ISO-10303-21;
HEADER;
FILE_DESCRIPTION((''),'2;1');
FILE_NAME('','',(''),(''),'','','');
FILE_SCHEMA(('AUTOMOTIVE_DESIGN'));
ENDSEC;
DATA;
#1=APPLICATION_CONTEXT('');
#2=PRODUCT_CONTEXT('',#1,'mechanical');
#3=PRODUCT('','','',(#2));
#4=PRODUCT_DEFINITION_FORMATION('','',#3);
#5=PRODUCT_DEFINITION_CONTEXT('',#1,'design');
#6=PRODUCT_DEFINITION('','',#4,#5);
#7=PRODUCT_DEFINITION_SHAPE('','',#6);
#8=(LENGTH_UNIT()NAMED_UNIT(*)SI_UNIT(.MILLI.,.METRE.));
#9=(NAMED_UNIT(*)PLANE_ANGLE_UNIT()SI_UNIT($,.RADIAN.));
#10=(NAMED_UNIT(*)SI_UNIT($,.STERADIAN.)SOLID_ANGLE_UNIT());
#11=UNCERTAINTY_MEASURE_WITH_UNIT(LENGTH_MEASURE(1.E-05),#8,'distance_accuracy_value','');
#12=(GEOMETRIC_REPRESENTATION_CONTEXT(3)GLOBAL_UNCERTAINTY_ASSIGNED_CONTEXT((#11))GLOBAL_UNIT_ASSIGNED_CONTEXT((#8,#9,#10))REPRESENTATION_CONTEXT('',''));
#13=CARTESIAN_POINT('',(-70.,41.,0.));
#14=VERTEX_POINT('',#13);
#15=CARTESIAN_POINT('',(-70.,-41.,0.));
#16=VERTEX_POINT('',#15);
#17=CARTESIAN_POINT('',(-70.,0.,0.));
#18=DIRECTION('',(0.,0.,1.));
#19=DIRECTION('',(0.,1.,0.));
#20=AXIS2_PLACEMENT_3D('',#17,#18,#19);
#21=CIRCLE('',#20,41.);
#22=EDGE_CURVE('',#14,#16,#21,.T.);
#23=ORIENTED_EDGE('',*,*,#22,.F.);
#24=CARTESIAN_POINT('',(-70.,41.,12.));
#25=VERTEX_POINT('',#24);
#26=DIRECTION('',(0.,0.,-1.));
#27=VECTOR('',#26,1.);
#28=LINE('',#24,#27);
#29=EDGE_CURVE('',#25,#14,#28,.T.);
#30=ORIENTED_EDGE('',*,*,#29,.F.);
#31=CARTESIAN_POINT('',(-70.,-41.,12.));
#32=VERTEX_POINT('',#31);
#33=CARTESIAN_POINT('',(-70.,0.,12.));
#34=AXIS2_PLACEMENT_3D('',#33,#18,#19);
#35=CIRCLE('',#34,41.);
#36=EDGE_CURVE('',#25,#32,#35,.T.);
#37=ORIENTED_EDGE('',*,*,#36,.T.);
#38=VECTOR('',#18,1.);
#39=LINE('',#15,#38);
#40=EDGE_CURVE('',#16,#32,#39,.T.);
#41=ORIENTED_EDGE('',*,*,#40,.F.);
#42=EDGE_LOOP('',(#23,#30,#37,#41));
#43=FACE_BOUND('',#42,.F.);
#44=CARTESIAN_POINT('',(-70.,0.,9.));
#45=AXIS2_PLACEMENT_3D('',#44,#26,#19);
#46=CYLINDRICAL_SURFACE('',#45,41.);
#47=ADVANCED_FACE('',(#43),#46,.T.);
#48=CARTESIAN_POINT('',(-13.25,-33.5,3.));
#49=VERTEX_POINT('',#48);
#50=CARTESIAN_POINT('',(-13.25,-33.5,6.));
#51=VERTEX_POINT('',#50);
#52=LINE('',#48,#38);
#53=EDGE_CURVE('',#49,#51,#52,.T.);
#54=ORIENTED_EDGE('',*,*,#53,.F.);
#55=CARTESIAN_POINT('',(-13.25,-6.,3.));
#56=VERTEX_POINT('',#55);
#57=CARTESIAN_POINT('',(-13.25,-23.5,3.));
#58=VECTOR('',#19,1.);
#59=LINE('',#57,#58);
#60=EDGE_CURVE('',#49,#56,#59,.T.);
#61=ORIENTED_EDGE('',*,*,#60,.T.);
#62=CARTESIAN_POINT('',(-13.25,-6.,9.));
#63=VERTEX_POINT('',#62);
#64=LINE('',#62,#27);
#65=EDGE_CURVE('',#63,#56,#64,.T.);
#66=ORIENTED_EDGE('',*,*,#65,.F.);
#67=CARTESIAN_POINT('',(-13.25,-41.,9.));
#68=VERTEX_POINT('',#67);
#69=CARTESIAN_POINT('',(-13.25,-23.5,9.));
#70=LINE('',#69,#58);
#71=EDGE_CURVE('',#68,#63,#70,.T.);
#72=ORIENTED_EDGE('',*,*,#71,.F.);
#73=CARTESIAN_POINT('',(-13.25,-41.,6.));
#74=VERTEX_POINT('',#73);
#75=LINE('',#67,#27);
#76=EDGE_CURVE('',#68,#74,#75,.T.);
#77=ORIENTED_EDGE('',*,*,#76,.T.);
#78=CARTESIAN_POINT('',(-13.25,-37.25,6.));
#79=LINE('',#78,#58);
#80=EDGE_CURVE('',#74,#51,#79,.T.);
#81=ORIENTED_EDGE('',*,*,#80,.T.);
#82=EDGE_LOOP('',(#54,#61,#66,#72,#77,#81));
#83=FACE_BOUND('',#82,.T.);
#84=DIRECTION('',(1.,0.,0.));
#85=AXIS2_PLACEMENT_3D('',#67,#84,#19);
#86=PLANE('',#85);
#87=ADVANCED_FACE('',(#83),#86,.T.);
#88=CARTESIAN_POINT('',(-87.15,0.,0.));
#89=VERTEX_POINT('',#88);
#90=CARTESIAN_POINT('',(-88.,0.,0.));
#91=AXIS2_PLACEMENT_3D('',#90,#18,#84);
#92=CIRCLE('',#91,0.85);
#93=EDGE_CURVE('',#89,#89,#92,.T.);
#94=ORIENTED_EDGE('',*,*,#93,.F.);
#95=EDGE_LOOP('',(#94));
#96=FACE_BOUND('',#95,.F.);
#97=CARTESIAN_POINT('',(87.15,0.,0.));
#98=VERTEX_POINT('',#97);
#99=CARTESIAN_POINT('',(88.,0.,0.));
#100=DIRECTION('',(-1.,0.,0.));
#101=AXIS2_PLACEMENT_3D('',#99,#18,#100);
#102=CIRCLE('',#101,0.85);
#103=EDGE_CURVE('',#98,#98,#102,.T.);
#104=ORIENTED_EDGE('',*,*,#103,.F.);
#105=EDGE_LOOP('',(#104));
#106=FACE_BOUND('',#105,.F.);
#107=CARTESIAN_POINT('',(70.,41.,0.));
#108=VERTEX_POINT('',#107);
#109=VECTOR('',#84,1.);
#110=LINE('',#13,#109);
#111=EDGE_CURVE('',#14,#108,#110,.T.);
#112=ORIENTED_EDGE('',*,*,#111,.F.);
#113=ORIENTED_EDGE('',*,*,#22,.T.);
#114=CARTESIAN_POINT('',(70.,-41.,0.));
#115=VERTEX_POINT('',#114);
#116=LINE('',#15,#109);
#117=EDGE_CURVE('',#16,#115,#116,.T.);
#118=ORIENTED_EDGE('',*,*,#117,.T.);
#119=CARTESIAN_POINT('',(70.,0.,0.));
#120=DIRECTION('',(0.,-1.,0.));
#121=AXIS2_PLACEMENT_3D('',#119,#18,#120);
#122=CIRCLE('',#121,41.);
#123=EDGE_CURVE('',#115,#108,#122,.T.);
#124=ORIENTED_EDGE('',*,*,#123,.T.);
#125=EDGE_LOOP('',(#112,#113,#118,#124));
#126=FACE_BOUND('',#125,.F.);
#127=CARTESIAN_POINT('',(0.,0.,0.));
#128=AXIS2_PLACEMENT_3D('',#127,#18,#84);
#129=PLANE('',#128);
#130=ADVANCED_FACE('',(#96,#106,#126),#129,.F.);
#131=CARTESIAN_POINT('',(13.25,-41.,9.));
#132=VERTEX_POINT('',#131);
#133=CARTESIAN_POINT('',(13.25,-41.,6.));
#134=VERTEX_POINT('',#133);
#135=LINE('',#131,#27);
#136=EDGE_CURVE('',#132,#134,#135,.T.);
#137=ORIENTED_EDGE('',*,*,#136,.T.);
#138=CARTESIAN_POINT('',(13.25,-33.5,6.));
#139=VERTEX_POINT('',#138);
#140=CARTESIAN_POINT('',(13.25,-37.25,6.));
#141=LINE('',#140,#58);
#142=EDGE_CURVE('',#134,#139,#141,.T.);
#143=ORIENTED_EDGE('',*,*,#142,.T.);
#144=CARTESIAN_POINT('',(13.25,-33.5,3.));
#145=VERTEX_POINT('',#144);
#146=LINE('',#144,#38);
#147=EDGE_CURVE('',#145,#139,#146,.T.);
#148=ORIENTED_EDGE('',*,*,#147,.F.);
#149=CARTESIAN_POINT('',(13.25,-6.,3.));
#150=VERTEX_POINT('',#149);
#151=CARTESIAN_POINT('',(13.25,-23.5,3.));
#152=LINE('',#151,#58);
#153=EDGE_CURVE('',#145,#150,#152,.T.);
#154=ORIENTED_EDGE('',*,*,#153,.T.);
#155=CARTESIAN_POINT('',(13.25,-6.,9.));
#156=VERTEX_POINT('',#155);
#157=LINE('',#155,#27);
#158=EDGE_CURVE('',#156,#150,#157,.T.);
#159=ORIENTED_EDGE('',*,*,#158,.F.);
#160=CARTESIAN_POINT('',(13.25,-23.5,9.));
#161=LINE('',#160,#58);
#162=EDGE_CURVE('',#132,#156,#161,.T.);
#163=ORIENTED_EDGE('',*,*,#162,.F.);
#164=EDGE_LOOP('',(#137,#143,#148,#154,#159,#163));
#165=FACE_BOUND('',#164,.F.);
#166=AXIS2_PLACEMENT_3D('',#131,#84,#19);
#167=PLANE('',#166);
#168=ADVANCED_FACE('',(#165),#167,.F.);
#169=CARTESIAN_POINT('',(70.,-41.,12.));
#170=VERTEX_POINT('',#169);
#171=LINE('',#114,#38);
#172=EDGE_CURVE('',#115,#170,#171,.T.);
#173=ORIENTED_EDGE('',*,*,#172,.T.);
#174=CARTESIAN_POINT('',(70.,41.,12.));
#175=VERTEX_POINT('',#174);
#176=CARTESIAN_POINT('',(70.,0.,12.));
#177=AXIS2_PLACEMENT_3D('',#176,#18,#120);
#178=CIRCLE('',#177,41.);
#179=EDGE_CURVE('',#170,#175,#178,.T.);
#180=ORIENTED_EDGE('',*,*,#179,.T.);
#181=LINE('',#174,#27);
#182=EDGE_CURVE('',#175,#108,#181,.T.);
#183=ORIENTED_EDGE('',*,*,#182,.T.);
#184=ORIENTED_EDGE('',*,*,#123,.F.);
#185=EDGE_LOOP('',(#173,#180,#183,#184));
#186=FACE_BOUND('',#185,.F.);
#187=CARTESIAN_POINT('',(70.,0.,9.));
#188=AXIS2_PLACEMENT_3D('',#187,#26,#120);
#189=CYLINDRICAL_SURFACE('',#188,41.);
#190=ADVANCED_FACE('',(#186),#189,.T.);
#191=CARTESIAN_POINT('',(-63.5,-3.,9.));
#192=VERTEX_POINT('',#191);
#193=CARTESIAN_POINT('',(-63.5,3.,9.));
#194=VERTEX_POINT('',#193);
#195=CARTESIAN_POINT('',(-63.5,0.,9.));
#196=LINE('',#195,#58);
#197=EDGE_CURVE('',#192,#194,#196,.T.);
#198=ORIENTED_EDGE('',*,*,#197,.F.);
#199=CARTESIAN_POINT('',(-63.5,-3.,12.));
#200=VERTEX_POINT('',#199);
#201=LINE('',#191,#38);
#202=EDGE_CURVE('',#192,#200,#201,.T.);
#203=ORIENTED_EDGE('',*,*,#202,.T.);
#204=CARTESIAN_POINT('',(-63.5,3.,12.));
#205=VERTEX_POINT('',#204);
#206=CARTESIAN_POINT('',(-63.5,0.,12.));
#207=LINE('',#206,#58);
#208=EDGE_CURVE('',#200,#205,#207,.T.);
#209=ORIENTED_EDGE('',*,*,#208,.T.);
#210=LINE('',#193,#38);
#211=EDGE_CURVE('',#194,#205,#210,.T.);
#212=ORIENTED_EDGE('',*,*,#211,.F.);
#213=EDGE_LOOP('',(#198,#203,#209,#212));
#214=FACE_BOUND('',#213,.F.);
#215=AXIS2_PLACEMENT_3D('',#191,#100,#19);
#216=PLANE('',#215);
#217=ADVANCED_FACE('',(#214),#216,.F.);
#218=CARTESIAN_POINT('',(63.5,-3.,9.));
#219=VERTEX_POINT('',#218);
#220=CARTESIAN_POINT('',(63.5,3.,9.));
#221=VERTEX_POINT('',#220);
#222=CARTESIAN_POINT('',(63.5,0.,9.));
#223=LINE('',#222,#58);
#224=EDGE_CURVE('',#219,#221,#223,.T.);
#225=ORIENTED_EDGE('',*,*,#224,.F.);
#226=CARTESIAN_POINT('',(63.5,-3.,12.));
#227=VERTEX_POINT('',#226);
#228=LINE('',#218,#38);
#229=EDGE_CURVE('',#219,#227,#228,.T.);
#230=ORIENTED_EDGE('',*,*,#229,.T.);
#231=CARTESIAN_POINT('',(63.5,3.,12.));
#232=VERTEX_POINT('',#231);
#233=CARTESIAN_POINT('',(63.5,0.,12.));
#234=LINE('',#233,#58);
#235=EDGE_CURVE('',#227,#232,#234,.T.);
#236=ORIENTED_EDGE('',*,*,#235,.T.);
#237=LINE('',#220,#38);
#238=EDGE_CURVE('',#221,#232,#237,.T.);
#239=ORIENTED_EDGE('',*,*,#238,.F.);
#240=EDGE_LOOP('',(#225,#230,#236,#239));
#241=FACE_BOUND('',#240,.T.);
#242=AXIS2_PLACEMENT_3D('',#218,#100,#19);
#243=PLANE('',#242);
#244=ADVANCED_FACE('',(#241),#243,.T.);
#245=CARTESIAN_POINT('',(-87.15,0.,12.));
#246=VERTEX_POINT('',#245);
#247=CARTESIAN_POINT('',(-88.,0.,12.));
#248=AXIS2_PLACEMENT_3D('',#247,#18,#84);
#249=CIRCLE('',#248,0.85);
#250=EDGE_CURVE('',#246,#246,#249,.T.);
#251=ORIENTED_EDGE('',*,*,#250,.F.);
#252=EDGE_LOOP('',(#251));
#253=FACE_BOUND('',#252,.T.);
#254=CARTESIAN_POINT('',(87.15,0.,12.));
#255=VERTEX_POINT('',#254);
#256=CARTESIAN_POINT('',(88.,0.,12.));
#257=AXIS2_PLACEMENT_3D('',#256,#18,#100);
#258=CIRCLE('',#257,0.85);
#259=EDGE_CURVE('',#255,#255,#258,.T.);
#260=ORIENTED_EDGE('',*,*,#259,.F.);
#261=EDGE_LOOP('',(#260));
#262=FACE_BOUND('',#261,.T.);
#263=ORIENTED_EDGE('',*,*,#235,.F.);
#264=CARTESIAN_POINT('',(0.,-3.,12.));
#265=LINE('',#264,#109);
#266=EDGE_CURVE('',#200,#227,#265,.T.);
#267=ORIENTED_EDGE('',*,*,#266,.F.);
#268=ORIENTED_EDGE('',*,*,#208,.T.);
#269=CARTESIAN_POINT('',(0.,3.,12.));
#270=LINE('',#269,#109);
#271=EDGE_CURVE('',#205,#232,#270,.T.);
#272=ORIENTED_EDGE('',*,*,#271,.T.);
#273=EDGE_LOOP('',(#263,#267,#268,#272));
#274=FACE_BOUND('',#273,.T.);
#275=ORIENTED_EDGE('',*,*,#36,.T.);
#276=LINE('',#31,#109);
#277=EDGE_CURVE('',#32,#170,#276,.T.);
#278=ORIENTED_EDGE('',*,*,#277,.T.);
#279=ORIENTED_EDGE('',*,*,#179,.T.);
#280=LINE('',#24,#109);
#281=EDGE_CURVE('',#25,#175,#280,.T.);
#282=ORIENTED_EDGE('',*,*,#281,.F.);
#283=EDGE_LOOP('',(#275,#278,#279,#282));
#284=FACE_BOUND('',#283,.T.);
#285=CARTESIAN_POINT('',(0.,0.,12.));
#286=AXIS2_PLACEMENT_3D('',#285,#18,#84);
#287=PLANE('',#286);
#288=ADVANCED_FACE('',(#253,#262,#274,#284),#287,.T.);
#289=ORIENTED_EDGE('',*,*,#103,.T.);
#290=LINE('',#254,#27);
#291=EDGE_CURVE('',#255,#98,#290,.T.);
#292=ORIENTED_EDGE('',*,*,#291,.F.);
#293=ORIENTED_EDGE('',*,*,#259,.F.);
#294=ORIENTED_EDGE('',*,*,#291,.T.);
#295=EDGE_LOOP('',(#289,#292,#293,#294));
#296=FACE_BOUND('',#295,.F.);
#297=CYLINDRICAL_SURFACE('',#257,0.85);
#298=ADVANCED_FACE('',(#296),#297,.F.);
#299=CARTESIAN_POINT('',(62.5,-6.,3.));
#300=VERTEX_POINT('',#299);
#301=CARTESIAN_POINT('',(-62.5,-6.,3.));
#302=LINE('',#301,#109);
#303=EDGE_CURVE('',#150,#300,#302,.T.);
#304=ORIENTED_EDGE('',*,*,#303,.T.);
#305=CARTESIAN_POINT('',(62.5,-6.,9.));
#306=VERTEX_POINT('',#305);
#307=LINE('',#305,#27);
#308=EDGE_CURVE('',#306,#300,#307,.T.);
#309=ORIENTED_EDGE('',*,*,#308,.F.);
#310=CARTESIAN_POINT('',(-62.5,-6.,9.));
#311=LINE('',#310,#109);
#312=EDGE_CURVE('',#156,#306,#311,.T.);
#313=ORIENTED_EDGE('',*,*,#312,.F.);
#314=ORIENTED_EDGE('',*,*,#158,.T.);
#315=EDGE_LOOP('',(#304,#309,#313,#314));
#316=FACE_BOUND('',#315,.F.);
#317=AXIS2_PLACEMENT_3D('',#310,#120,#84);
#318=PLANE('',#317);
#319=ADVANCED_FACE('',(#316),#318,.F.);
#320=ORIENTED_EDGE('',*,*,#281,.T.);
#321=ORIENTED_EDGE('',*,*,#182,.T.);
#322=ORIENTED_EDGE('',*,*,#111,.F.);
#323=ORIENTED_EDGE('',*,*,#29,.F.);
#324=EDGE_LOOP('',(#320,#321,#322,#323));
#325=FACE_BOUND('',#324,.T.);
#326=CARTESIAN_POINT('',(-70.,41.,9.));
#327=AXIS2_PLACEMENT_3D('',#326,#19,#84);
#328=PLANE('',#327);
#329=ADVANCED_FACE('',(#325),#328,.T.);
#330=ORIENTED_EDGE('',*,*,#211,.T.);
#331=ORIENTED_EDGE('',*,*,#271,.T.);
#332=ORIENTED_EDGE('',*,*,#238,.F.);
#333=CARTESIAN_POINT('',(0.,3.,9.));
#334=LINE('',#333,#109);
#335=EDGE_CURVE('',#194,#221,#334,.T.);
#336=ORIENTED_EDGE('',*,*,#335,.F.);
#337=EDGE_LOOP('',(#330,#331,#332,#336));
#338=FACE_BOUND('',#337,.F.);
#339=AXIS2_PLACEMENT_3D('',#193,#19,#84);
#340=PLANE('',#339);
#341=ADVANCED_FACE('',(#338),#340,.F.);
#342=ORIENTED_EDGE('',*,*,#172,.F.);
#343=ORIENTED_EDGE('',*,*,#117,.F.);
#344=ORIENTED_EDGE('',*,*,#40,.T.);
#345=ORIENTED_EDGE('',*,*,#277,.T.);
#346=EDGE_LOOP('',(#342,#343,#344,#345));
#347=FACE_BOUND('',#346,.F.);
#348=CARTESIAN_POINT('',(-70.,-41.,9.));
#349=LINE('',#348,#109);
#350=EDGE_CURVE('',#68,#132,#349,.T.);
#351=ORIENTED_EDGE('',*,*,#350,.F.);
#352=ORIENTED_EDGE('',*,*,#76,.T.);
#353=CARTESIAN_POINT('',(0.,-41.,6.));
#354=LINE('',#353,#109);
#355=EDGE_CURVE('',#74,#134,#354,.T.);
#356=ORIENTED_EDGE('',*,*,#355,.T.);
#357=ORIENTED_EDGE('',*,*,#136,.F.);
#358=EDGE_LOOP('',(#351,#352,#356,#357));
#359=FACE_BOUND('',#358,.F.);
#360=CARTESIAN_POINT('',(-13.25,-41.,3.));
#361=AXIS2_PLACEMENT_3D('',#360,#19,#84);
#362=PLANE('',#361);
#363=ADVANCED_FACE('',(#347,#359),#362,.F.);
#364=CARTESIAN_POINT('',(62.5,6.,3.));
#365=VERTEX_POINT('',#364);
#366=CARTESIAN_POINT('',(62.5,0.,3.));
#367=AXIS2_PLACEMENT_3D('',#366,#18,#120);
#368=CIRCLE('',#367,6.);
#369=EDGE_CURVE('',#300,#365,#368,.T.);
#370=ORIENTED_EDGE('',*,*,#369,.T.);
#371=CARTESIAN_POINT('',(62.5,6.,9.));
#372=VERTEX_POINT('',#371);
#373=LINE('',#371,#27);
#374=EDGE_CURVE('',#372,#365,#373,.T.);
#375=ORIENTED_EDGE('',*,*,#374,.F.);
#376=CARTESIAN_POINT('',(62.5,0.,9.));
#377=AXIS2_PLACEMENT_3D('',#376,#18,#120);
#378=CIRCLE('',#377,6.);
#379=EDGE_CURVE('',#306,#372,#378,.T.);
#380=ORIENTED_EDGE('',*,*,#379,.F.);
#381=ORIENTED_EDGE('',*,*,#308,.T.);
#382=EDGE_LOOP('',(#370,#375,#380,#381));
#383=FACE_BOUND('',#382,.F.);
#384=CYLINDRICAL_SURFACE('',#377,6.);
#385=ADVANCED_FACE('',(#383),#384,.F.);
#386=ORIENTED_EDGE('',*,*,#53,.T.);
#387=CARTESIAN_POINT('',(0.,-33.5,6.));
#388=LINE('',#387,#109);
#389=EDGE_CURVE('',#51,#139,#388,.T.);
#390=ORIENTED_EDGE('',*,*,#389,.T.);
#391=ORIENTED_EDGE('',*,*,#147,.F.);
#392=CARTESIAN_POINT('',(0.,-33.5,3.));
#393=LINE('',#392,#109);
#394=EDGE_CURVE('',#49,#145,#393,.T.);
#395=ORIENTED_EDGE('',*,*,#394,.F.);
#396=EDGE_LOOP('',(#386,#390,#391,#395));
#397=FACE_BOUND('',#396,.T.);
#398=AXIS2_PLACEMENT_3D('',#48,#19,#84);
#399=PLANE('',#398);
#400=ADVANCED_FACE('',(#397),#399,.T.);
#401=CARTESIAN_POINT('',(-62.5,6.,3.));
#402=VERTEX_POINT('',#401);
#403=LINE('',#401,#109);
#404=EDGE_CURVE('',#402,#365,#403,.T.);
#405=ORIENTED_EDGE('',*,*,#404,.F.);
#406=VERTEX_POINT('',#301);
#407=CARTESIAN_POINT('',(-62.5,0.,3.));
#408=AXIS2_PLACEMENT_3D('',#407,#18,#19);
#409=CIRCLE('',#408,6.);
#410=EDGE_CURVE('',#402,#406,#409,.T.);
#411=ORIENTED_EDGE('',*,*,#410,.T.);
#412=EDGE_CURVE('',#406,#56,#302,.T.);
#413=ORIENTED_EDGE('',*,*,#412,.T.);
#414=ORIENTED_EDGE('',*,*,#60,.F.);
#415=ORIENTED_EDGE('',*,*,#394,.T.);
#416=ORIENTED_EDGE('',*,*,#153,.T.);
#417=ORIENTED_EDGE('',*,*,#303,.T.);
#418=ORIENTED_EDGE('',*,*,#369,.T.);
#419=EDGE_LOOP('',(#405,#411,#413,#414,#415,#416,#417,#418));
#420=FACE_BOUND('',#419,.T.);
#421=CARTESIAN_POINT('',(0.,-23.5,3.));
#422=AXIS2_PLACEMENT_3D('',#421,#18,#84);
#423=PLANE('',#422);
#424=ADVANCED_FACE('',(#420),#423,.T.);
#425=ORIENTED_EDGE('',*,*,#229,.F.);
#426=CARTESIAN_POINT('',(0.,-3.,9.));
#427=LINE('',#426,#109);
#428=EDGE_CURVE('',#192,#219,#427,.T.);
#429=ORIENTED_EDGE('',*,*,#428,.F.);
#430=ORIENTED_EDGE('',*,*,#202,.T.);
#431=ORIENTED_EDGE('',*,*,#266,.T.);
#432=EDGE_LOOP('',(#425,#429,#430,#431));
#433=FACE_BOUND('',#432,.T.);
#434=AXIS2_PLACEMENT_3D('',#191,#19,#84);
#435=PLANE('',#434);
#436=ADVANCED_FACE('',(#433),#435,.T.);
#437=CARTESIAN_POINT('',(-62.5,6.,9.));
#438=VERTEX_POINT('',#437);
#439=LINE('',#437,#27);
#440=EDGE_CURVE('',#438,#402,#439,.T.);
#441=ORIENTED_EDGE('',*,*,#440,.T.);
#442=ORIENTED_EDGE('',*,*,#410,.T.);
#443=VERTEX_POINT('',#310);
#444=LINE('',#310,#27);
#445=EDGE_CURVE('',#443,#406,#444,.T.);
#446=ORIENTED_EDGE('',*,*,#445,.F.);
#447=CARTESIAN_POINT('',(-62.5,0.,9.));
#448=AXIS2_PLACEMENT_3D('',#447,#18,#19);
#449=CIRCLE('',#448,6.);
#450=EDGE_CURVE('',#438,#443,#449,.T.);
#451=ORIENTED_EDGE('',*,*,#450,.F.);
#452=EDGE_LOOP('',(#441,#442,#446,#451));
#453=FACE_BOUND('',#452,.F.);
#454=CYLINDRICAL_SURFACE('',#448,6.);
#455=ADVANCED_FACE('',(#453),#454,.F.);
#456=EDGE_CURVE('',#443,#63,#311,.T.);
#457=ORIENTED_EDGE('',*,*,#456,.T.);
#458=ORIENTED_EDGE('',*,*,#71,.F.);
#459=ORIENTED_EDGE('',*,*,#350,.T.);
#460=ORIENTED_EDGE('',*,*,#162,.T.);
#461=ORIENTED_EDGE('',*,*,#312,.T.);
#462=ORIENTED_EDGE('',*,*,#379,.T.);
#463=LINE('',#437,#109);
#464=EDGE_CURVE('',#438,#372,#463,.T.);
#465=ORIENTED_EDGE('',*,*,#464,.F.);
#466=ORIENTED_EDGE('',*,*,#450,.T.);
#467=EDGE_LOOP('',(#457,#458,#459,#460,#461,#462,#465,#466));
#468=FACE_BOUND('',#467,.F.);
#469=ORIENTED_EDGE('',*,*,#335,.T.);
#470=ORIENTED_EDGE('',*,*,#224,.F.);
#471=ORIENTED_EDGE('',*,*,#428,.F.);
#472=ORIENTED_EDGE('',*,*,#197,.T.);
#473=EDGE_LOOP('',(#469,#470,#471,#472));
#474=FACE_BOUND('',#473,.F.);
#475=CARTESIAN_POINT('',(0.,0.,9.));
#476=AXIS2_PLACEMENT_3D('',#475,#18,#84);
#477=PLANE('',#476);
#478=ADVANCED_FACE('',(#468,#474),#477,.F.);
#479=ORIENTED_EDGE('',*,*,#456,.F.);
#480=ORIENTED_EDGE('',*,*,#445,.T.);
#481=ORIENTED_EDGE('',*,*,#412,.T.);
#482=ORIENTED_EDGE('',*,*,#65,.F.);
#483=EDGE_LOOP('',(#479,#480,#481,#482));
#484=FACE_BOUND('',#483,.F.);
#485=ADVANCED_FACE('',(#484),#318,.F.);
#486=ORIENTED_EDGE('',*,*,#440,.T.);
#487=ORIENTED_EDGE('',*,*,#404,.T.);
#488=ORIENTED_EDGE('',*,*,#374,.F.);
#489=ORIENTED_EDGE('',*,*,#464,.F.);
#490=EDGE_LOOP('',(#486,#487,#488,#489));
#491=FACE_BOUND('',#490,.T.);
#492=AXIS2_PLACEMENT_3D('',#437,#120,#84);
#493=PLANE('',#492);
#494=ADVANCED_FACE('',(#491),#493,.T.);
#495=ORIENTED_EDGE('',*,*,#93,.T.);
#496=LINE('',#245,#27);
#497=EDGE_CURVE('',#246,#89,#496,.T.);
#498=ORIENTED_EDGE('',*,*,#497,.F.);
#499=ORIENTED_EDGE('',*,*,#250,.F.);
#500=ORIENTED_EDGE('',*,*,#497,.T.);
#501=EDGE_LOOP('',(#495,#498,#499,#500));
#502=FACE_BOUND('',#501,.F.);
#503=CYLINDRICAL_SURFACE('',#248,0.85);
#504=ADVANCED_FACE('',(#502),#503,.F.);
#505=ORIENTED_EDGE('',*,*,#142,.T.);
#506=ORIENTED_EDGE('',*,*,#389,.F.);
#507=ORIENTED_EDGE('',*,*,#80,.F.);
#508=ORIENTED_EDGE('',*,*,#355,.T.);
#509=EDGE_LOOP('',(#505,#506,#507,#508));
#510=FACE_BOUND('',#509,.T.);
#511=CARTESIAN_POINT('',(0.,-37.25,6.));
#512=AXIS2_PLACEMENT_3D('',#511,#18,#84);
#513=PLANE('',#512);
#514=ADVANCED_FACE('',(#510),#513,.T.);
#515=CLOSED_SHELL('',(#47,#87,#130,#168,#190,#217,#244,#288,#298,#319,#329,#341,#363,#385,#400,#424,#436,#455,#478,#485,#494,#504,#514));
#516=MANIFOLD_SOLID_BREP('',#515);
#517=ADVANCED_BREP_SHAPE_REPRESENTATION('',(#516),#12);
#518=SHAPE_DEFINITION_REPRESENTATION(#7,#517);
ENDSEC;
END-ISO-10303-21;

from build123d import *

# Parameters (mm, degrees)
PAD_DEPTH          = 9
POCKET_DEPTH       = 6
SKETCH002_W        = 26.5
SKETCH002_H        = 35
POCKET001_DEPTH    = 6
SKETCH003_W        = 127
SKETCH003_H        = 6
PAD001_DEPTH       = 3
SKETCH004_R        = 0.85
POCKET002_DEPTH    = 485.929265
POLARPATTERN_COUNT = 2
SKETCH005_W        = 26.5
SKETCH005_H        = 7.5
PAD002_DEPTH       = 3


with BuildPart() as part:
    # Sketch → Pad (new body)
    with BuildSketch(Plane.XY):
        with BuildLine():
            ThreePointArc((-70, 41), (-111, 0), (-70, -41))
            Line((-70, -41), (70, -41))
            ThreePointArc((70, -41), (111, 0), (70, 41))
            Line((-70, 41), (70, 41))
        make_face()
    extrude(amount=PAD_DEPTH)

    # Sketch001 (on Face6 of Pad) → Pocket (cut)
    with BuildSketch(Plane.XY.offset(9)):
        with BuildLine():
            ThreePointArc((-62.5, 6), (-68.5, 0), (-62.5, -6))
            Line((-62.5, -6), (62.5, -6))
            ThreePointArc((62.5, -6), (68.5, 0), (62.5, 6))
            Line((-62.5, 6), (62.5, 6))
        make_face()
    extrude(amount=-POCKET_DEPTH, mode=Mode.SUBTRACT)

    # Sketch002 (on Face5 of Pocket) → Pocket001 (cut)
    with BuildSketch(Plane.XY.offset(9)):
        with Locations((0, -23.5)):
            Rectangle(SKETCH002_W, SKETCH002_H)
    extrude(amount=-POCKET001_DEPTH, mode=Mode.SUBTRACT)

    # Sketch003 (on Face5 of Pocket001) → Pad001 (join)
    with BuildSketch(Plane.XY.offset(9)):
        with BuildLine():
            ThreePointArc((-70, 41), (-111, 0), (-70, -41))
            Line((-70, -41), (70, -41))
            ThreePointArc((70, -41), (111, 0), (70, 41))
            Line((-70, 41), (70, 41))
        make_face()
        Rectangle(SKETCH003_W, SKETCH003_H, mode=Mode.SUBTRACT)
    extrude(amount=PAD001_DEPTH)

    # Sketch004 (on Face12 of Pad001) → Pocket002 (cut, through all)
    with BuildSketch(Plane.XY.offset(12)):
        with Locations((-88, 0)):
            Circle(SKETCH004_R)
    pocket002 = extrude(amount=-POCKET002_DEPTH, mode=Mode.SUBTRACT)

    # PolarPattern: Pocket002 ×2 about axis
    polarpattern_axis = Axis((0, 0, 12), (0, 0, 1))
    for i in range(1, POLARPATTERN_COUNT):
        add(pocket002.rotate(polarpattern_axis, i * 360 / POLARPATTERN_COUNT), mode=Mode.SUBTRACT)

    # Sketch005 (on Face10 of PolarPattern) → Pad002 (join)
    with BuildSketch(Plane.XY.offset(3)):
        with Locations((0, -37.25)):
            Rectangle(SKETCH005_W, SKETCH005_H)
    extrude(amount=PAD002_DEPTH)


solid = part.part
